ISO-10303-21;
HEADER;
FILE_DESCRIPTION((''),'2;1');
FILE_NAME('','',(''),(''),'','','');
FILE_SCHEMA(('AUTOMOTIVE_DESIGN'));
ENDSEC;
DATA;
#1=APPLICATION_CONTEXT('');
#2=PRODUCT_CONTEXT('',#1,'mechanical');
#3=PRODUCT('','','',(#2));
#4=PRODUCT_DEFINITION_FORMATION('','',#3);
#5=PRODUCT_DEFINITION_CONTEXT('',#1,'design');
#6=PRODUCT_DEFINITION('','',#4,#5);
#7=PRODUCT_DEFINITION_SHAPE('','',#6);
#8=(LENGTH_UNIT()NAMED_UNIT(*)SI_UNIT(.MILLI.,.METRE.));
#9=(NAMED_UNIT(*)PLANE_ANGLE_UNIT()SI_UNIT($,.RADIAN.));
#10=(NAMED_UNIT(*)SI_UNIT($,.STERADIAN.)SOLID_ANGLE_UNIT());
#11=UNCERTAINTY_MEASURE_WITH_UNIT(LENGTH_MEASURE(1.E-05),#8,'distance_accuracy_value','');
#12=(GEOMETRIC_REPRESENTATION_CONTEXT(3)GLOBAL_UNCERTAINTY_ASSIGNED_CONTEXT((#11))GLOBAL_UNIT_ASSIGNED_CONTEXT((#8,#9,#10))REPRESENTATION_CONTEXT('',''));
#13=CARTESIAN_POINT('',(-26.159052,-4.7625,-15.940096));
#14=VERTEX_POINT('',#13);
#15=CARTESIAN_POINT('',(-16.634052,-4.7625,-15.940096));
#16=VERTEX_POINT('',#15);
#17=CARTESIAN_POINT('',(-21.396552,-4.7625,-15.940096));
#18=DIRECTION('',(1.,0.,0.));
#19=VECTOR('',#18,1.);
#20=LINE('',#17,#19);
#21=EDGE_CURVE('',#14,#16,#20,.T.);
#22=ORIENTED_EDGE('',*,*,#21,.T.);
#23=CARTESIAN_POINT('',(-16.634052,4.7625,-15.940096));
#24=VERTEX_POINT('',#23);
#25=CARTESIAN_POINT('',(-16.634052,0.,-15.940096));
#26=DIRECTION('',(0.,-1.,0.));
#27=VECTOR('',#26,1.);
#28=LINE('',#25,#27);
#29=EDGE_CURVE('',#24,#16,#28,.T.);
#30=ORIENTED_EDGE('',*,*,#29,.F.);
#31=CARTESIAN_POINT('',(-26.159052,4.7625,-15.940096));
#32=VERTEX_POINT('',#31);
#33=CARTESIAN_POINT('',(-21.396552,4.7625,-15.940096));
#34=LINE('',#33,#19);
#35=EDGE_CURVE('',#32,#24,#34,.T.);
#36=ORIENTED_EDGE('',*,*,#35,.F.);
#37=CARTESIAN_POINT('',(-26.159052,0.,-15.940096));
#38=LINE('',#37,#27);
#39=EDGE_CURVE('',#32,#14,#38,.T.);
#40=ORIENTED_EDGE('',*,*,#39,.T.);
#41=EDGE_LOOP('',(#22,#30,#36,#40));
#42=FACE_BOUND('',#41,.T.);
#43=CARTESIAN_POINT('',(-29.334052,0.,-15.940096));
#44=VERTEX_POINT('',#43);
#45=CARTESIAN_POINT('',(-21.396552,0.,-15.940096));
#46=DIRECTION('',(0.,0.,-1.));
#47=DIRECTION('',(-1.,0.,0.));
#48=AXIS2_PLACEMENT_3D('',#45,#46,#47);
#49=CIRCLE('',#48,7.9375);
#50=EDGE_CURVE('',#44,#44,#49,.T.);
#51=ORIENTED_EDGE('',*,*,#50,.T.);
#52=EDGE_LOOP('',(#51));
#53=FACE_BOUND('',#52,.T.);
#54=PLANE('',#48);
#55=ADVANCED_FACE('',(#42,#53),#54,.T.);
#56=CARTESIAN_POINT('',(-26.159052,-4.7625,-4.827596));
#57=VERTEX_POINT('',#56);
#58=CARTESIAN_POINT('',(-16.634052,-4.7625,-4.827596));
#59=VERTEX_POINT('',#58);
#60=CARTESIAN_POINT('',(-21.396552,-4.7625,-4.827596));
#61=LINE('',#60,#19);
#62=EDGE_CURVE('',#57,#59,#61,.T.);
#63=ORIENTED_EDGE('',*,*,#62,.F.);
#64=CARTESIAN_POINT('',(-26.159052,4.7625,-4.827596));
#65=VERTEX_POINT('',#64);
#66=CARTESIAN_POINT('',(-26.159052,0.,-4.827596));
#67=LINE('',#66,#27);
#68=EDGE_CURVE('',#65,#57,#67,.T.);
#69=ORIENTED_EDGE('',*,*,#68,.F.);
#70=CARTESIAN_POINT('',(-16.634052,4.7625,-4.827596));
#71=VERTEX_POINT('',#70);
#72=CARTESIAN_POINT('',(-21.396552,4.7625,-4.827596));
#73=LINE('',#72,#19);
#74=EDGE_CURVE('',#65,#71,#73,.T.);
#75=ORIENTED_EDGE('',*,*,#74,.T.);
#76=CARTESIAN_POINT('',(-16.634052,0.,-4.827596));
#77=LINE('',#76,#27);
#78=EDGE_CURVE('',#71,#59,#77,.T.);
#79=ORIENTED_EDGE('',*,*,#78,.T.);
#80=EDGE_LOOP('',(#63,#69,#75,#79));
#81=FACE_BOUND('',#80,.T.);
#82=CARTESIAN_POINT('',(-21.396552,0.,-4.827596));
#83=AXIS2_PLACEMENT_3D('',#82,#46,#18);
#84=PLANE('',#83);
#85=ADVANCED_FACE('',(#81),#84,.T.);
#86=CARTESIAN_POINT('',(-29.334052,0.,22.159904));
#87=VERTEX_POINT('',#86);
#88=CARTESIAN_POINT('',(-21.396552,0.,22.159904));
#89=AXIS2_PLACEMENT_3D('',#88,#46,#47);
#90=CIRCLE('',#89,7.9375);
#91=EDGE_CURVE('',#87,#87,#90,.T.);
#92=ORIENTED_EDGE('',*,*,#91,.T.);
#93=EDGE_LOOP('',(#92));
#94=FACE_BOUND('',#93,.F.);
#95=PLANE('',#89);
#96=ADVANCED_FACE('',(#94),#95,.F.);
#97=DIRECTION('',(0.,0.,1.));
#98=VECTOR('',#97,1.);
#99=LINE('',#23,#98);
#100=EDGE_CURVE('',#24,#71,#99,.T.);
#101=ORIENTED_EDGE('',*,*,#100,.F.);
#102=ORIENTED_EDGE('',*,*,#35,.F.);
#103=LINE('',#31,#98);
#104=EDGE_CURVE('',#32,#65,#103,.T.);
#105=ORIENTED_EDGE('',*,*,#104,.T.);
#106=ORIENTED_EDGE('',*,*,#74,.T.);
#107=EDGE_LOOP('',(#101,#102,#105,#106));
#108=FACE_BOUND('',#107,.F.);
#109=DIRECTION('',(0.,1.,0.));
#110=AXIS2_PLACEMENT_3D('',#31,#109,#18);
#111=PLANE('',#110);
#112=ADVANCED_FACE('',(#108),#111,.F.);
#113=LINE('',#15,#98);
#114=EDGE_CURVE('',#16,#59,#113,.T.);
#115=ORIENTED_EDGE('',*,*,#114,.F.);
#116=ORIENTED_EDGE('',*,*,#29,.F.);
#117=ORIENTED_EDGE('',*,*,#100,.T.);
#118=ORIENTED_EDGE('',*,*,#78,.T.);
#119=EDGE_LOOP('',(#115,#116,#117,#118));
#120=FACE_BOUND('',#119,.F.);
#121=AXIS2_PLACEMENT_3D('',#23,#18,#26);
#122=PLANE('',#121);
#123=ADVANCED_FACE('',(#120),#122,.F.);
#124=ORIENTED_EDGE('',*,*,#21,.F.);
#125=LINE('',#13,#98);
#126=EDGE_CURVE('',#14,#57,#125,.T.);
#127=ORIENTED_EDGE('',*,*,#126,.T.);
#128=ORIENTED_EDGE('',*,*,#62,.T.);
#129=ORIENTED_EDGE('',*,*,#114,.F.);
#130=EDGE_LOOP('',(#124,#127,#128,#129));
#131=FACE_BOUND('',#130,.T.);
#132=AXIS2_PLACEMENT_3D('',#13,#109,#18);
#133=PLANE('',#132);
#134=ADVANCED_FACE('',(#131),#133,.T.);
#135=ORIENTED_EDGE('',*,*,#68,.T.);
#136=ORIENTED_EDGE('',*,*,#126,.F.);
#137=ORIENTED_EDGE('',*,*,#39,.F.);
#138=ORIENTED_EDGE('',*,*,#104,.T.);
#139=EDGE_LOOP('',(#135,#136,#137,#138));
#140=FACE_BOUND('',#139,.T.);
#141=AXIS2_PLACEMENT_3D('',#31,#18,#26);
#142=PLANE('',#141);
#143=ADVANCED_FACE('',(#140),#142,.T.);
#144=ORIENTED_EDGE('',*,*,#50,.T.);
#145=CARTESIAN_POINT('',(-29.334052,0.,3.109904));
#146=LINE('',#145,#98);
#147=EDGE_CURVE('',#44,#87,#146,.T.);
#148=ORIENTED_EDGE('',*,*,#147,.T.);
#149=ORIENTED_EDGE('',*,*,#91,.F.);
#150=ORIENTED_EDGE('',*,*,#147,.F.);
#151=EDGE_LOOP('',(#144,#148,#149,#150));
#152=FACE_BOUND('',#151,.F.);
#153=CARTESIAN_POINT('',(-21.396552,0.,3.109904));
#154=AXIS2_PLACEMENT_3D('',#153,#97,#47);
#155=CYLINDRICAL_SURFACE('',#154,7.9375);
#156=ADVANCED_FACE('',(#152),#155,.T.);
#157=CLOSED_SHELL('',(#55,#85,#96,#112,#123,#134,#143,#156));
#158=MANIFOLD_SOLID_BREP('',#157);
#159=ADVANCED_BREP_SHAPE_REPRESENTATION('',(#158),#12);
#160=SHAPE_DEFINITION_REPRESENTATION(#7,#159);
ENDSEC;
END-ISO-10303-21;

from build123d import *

# Parameters (mm, degrees)
F0_W     = 7.9375
F0_H     = 38.1
F2_W     = 9.525
F2_H     = 9.525
F3_DEPTH = 11.1125


with BuildPart() as f1:
    # F0 (on Front) → F1 (revolve)
    with BuildSketch(Plane.XZ):
        with Locations((-25.365302, 3.109904)):
            Rectangle(F0_W, F0_H)
    revolve(axis=Axis((-21.396552, 0, 3.109904), (0, 0, -1)))

    # F2 (on face) → F3 (cut)
    with BuildSketch(Plane(origin=(0, 0, -15.940096), x_dir=(1, 0, 0), z_dir=(0, 0, -1))):
        with Locations((-21.396552, 0)):
            Rectangle(F2_W, F2_H)
    extrude(amount=-F3_DEPTH, mode=Mode.SUBTRACT)


solid = f1.part
